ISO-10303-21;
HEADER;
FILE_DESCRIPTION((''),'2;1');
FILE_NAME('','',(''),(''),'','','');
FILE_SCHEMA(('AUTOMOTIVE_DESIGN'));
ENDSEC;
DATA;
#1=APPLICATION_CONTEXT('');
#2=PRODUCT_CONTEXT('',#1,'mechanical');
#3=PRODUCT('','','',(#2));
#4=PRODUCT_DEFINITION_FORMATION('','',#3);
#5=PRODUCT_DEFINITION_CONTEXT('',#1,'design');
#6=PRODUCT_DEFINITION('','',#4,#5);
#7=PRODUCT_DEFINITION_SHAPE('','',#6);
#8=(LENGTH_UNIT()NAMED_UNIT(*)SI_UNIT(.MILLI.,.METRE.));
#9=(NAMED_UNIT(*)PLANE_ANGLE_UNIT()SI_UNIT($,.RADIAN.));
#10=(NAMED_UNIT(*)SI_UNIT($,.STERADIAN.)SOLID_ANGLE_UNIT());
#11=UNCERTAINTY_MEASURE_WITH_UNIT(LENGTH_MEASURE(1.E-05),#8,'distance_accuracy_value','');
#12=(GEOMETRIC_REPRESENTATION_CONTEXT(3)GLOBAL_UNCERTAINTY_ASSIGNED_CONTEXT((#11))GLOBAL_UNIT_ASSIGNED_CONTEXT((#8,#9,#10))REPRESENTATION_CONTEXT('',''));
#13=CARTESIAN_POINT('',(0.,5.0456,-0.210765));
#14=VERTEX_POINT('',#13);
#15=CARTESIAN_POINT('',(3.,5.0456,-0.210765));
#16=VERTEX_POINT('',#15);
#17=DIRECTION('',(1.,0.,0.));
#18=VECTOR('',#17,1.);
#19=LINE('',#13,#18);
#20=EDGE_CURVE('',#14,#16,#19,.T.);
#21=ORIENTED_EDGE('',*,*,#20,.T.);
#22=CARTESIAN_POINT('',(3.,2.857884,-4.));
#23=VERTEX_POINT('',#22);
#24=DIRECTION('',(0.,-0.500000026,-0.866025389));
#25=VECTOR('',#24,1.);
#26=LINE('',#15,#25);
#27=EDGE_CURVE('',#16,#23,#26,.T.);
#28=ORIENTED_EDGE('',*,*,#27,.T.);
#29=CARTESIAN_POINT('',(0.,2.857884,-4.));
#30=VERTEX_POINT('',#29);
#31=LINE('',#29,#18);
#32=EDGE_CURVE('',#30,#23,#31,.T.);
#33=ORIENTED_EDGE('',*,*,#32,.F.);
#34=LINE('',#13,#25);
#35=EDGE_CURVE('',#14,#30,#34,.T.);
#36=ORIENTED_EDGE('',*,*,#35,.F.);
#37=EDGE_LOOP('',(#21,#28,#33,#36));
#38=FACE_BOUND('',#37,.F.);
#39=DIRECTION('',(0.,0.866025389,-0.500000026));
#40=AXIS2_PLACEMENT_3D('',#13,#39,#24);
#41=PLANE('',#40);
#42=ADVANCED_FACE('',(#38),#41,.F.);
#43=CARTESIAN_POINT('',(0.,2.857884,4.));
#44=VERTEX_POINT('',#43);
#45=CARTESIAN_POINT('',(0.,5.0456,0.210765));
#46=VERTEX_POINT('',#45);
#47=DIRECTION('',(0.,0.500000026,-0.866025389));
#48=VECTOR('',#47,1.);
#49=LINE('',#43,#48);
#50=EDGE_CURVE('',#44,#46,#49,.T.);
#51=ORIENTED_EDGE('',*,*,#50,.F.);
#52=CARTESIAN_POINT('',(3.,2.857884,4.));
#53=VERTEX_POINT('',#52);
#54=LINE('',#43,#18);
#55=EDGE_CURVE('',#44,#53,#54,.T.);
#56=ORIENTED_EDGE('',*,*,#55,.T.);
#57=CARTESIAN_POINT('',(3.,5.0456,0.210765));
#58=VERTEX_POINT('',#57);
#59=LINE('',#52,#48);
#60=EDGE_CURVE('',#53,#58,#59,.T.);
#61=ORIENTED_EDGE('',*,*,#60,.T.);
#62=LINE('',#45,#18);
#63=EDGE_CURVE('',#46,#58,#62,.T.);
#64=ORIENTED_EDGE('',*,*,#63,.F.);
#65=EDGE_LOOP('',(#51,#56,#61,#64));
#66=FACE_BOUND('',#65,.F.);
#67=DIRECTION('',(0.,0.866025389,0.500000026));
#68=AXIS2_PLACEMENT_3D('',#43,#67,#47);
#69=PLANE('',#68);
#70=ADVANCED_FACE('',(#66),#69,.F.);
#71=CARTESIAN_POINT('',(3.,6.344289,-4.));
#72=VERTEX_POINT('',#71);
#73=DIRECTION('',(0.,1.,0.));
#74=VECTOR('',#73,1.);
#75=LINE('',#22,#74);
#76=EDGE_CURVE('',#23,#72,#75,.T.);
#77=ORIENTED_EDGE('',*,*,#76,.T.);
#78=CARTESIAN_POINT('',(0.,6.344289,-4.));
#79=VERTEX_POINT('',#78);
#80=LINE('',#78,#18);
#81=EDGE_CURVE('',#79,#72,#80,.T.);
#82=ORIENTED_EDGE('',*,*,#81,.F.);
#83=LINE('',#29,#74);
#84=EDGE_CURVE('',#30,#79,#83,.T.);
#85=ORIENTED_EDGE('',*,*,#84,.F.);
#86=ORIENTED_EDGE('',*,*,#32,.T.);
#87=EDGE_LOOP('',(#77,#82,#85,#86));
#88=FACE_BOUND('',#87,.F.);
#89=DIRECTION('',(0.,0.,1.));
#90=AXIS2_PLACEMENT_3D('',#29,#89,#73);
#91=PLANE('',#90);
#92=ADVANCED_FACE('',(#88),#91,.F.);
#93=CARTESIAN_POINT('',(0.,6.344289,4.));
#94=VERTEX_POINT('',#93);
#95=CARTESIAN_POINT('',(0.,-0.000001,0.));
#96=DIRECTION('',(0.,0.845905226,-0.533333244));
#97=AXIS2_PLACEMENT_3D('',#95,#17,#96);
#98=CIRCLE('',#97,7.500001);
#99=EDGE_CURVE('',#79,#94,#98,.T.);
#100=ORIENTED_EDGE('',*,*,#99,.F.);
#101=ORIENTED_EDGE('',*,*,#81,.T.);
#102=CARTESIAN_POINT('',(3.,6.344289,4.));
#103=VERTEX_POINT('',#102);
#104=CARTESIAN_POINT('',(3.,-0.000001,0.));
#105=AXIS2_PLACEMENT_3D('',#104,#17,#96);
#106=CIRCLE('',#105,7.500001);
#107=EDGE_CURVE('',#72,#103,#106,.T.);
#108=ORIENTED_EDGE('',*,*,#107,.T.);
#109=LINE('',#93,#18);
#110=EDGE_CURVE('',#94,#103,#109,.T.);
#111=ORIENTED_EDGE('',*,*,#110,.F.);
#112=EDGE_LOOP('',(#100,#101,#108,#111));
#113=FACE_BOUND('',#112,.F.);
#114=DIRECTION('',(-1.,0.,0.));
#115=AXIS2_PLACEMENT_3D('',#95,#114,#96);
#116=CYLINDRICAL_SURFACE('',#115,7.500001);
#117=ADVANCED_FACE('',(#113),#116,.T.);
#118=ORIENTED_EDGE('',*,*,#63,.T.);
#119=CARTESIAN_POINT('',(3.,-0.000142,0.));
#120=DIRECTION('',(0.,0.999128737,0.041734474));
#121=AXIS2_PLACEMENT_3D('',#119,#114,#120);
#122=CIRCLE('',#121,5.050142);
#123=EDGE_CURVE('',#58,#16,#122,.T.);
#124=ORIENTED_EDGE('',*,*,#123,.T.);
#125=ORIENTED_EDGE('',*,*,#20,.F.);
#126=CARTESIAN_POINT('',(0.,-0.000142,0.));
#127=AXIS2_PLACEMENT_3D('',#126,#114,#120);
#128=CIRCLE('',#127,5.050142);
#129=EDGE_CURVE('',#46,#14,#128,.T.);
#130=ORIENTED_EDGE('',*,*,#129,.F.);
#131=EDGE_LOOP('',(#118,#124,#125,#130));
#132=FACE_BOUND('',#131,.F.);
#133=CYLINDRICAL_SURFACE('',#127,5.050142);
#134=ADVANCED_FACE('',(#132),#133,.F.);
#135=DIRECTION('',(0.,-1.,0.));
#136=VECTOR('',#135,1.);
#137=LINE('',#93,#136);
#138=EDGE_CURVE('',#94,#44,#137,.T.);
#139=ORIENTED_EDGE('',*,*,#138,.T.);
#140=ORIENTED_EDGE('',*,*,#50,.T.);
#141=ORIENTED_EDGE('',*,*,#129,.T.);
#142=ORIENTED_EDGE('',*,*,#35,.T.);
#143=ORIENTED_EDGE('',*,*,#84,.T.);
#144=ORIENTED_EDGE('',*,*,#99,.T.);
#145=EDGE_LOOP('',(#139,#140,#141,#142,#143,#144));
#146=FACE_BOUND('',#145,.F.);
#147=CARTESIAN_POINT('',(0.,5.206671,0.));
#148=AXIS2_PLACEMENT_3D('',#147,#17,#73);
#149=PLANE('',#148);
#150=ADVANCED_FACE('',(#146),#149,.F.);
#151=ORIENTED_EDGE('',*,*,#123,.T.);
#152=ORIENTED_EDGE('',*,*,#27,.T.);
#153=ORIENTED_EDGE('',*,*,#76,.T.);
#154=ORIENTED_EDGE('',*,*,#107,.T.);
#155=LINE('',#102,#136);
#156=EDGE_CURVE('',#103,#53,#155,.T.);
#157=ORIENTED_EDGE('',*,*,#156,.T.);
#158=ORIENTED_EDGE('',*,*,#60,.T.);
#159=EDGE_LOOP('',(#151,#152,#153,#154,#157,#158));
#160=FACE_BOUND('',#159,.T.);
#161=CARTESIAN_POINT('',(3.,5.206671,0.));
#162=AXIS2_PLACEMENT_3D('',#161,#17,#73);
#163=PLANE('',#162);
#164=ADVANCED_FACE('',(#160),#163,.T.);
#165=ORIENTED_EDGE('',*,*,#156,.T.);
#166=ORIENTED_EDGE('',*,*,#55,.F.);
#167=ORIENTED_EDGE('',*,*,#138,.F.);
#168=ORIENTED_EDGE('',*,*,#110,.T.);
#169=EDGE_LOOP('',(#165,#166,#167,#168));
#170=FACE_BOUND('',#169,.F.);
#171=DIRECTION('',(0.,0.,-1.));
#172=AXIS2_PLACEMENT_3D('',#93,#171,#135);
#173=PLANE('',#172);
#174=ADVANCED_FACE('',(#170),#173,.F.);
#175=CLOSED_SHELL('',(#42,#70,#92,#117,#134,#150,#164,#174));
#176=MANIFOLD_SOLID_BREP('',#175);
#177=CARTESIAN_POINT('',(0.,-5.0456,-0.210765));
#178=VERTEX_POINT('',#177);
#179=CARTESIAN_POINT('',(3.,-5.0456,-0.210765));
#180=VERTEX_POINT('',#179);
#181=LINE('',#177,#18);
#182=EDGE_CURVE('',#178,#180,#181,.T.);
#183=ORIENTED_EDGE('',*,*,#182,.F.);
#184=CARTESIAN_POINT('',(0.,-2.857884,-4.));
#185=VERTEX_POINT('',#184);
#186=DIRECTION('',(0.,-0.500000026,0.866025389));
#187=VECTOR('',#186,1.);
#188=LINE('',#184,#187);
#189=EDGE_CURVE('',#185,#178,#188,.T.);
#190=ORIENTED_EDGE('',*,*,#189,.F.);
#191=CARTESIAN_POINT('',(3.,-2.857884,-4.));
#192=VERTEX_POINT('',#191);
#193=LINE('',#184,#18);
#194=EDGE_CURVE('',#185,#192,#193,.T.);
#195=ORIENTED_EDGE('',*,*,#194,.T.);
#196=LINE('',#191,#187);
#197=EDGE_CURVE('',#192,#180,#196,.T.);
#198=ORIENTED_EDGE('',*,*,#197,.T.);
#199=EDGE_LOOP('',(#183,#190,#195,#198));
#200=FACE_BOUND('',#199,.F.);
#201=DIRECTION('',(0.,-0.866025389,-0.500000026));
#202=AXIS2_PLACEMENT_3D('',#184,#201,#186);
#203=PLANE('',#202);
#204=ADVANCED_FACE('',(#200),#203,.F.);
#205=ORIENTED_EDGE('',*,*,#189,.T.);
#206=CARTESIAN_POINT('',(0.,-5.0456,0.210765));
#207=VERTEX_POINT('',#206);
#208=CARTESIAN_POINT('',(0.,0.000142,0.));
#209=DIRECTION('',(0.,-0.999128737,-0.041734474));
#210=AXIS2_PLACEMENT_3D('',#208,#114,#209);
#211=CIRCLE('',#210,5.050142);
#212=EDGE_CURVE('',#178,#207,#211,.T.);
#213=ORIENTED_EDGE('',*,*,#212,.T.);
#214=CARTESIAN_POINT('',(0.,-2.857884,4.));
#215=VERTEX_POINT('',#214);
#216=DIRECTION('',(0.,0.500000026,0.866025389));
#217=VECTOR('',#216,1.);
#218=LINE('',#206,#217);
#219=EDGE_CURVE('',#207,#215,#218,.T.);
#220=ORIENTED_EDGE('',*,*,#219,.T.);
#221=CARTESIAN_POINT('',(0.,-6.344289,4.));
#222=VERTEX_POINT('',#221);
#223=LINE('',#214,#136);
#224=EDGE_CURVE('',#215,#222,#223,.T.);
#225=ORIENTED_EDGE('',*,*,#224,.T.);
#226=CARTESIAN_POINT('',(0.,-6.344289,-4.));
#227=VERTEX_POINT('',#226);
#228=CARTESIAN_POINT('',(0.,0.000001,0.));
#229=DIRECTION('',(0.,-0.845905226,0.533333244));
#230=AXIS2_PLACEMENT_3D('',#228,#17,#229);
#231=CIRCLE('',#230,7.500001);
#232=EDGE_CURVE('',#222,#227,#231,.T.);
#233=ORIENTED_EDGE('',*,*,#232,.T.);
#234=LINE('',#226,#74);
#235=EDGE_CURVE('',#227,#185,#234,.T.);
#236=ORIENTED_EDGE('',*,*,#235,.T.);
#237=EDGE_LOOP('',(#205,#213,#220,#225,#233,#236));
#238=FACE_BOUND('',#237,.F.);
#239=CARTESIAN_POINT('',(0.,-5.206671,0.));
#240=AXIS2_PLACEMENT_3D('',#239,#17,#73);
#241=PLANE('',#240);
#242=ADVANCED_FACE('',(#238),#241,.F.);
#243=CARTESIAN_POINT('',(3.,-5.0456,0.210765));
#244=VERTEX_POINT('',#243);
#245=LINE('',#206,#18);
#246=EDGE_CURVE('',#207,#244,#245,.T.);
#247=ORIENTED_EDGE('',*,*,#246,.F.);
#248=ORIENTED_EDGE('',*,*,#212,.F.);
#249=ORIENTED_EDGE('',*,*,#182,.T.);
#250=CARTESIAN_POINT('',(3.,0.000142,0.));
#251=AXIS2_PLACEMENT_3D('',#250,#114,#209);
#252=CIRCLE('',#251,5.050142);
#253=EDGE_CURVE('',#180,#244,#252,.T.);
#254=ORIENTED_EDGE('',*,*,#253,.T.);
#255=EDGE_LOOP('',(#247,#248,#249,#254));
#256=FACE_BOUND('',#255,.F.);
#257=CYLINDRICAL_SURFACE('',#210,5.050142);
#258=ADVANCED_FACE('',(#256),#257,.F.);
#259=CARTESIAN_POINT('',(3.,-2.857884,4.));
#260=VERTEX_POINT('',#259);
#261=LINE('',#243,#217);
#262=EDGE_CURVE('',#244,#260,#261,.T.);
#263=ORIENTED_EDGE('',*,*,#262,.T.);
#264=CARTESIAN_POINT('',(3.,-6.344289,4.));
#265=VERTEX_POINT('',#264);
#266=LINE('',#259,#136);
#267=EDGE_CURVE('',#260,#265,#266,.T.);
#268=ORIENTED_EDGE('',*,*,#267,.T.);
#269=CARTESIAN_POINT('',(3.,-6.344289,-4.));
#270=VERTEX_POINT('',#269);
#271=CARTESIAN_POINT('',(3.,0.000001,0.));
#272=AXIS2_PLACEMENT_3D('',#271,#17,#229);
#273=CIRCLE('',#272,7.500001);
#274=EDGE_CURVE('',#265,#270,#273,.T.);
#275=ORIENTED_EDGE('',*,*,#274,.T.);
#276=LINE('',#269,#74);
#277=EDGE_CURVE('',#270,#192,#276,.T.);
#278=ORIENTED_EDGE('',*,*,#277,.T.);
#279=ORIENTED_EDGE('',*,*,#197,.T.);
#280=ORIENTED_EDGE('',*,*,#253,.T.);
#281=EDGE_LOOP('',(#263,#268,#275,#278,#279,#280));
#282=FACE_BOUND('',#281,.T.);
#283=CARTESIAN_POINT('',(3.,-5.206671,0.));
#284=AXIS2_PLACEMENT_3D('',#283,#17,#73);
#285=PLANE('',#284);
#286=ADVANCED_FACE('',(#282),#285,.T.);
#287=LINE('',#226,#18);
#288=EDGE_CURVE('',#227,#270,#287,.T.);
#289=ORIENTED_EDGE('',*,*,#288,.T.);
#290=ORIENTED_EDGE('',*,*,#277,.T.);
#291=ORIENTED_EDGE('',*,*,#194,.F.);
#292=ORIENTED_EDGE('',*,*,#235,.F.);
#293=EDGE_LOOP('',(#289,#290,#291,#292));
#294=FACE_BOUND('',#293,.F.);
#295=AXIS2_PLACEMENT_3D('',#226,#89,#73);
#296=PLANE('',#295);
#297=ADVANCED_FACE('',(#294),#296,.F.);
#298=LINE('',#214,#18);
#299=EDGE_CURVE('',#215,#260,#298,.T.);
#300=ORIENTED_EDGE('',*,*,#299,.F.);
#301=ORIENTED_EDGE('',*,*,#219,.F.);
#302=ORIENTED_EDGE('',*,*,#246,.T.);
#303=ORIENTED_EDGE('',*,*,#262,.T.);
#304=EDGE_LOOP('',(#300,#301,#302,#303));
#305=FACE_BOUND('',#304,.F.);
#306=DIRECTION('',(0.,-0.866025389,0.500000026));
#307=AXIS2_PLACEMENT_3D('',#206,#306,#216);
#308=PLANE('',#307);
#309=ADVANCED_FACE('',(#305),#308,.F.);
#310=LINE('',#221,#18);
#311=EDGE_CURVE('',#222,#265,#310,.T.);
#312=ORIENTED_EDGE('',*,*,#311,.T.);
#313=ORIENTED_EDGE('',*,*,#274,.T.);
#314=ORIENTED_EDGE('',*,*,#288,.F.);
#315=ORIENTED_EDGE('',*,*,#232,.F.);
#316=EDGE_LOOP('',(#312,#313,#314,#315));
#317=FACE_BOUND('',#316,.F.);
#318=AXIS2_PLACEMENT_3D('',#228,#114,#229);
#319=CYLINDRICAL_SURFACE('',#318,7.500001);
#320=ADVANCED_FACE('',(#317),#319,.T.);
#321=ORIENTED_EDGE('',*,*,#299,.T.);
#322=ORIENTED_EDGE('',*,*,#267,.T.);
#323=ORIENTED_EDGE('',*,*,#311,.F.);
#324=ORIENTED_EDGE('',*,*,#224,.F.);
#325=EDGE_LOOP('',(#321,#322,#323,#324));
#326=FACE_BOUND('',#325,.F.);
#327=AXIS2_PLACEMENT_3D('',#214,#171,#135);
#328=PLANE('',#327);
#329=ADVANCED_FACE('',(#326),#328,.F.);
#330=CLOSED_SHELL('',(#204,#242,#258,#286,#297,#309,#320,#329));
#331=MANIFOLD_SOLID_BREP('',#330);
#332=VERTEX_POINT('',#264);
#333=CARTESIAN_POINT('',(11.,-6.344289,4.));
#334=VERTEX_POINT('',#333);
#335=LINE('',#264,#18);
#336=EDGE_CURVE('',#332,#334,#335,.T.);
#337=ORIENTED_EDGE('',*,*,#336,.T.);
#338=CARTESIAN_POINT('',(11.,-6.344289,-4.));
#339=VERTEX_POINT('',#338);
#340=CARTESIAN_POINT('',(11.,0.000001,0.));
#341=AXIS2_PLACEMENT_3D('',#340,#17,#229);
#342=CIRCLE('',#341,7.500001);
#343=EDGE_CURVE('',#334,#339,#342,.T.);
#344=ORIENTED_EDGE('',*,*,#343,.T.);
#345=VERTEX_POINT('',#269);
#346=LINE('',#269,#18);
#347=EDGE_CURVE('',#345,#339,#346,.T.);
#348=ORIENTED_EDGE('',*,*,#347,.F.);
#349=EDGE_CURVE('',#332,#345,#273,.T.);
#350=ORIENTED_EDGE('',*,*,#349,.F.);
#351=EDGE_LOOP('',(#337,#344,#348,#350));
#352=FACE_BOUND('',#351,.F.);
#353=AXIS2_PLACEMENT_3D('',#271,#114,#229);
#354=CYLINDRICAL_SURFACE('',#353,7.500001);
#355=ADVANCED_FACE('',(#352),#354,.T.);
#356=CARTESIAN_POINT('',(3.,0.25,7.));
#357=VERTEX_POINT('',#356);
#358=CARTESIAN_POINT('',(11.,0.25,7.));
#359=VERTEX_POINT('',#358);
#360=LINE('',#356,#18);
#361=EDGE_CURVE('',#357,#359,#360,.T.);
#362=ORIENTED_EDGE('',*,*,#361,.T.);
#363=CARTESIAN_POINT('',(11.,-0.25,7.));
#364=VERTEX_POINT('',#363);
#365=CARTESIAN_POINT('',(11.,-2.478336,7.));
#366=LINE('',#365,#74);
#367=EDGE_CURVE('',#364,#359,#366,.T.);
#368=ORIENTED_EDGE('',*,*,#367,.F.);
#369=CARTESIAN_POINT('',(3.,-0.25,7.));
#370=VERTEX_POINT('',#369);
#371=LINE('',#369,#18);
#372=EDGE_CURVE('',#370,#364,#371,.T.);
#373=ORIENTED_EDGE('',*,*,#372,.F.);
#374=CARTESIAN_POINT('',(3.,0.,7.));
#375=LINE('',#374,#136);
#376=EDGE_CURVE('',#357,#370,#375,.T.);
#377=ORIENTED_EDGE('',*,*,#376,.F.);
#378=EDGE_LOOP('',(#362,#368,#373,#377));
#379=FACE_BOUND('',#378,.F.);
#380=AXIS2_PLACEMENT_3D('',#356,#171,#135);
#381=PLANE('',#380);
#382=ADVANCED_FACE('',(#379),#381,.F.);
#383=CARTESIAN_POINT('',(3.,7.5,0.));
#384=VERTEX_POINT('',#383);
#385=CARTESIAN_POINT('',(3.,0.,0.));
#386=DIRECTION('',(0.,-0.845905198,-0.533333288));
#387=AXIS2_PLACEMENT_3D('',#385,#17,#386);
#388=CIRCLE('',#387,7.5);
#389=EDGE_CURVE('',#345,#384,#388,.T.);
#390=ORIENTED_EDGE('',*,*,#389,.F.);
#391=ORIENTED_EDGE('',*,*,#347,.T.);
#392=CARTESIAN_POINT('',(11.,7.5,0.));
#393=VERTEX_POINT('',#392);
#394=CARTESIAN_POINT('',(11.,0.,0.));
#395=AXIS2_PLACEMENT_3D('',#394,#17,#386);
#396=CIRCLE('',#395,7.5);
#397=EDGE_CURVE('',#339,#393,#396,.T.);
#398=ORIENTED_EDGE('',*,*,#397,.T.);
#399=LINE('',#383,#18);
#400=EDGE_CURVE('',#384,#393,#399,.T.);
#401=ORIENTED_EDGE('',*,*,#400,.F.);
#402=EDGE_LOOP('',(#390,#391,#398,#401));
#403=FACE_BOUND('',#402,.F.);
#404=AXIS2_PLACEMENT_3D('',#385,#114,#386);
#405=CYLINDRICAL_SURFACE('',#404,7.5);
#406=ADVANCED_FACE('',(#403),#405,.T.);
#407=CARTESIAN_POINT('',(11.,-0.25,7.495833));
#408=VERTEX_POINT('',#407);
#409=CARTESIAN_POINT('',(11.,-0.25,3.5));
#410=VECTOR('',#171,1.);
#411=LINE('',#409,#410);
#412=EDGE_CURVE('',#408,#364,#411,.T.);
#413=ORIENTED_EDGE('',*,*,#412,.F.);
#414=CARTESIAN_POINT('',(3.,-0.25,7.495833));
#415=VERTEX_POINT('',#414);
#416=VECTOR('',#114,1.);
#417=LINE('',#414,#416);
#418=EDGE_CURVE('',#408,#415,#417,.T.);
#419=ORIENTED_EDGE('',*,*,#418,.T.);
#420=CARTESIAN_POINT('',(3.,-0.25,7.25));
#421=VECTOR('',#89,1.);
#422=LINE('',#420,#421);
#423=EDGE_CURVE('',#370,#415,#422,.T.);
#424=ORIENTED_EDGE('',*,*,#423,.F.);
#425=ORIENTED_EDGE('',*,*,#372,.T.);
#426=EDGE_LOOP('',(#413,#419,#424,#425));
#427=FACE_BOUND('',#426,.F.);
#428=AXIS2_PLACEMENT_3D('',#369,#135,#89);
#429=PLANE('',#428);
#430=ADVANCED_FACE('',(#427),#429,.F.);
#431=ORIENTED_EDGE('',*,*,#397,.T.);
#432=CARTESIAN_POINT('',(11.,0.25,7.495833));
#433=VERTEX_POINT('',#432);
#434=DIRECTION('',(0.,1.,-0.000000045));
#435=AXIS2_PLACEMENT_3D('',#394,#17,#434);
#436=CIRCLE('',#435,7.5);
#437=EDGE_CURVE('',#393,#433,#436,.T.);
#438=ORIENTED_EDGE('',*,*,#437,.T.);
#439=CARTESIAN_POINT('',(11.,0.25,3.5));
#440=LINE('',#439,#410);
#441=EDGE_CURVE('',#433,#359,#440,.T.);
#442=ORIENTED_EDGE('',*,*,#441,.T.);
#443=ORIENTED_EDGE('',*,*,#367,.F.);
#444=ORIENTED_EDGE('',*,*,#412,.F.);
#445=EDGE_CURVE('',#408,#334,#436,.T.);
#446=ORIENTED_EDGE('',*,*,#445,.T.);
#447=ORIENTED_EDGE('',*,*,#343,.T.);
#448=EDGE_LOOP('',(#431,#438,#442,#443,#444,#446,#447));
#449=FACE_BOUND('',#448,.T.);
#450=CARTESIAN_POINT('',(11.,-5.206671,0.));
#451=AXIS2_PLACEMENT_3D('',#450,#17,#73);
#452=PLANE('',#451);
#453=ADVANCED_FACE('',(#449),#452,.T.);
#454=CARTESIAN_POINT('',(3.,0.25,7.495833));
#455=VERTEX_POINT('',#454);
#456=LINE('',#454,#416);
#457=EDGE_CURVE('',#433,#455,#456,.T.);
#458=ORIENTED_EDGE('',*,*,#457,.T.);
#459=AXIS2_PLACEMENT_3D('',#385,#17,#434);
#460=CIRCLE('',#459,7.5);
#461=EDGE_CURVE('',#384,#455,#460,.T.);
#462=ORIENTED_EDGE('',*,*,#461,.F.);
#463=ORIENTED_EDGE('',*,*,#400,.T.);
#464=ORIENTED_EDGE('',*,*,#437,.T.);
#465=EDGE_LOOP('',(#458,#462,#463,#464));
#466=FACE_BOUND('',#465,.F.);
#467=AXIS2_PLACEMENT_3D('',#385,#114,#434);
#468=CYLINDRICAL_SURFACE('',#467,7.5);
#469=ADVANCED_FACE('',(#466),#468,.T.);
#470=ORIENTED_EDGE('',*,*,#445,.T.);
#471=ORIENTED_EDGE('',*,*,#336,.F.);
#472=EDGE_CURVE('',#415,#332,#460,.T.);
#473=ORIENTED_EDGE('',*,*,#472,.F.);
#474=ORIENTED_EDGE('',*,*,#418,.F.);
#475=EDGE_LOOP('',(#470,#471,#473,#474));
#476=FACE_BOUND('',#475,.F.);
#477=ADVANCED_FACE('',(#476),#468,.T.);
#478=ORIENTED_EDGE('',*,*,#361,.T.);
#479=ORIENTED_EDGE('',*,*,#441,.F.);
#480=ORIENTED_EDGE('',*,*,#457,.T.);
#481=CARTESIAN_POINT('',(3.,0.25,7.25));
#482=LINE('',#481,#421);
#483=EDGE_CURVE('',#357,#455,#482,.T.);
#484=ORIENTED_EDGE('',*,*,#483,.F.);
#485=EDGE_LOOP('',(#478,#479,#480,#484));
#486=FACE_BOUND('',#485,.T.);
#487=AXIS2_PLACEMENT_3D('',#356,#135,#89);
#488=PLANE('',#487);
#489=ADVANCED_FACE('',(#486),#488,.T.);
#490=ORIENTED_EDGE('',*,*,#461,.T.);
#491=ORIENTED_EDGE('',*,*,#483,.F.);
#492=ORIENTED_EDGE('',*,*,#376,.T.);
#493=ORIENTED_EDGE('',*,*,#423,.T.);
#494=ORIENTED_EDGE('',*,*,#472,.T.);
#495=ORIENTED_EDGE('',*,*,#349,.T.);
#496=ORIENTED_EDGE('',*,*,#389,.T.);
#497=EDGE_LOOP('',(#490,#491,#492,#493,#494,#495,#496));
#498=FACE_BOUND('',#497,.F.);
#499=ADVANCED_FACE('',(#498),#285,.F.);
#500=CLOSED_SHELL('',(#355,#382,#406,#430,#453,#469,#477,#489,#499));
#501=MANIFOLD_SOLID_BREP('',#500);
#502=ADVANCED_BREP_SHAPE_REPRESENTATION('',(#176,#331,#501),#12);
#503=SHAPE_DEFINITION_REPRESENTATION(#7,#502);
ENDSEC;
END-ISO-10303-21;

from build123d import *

# Parameters (mm, degrees)
F1_DEPTH = 3
F3_DEPTH = 8
F4_W     = 0.5
F4_H     = 0.5
F5_DEPTH = 25


with BuildPart() as f1:
    # F0 (on Right) → F1 (new body)
    with BuildSketch(Plane.YZ):
        with BuildLine():
            ThreePointArc((-5.0456, -0.210765), (-5.05, 0), (-5.0456, 0.210765))
            Line((-5.0456, 0.210765), (-2.857884, 4))
            Line((-2.857884, 4), (-6.344289, 4))
            ThreePointArc((-6.344289, 4), (-7.5, 0), (-6.344289, -4))
            Line((-6.344289, -4), (-2.857884, -4))
            Line((-2.857884, -4), (-5.0456, -0.210765))
        make_face()
        with BuildLine():
            Line((6.344289, 4), (2.857884, 4))
            Line((2.857884, 4), (5.0456, 0.210765))
            ThreePointArc((5.0456, 0.210765), (5.05, 0), (5.0456, -0.210765))
            Line((5.0456, -0.210765), (2.857884, -4))
            Line((2.857884, -4), (6.344289, -4))
            ThreePointArc((6.344289, -4), (7.5, 0), (6.344289, 4))
        make_face()
    extrude(amount=F1_DEPTH)


with BuildPart() as f3:
    # F2 (on face) → F3 (new body)
    with BuildSketch(Plane.YZ.offset(3)):
        with BuildLine():
            Line((-2.857884, 4), (-6.344289, 4))
            ThreePointArc((-6.344289, 4), (-7.5, 0), (-6.344289, -4))
            Line((-6.344289, -4), (-2.857884, -4))
            Line((-2.857884, -4), (-5.0456, -0.210765))
            ThreePointArc((-5.0456, -0.210765), (-5.05, 0), (-5.0456, 0.210765))
            Line((-5.0456, 0.210765), (-2.857884, 4))
        make_face()
        with BuildLine():
            ThreePointArc((-6.344289, -4), (2.081806, -7.205282), (7.5, 0))
            ThreePointArc((7.5, 0), (2.081806, 7.205282), (-6.344289, 4))
            Line((-6.344289, 4), (-2.857884, 4))
            Line((-2.857884, 4), (-5.0456, 0.210765))
            ThreePointArc((-5.0456, 0.210765), (-5.05, 0), (-5.0456, -0.210765))
            Line((-5.0456, -0.210765), (-2.857884, -4))
            Line((-2.857884, -4), (-6.344289, -4))
        make_face()
    extrude(amount=F3_DEPTH)

    # F4 (on face) → F5 (cut)
    with BuildSketch(Plane(origin=(3, 0, 0), x_dir=(0, -1, 0), z_dir=(-1, 0, 0))):
        with Locations((0, 7.25)):
            Rectangle(F4_W, F4_H)
    extrude(amount=-F5_DEPTH, mode=Mode.SUBTRACT)


solid = Compound([f1.part, f3.part])
